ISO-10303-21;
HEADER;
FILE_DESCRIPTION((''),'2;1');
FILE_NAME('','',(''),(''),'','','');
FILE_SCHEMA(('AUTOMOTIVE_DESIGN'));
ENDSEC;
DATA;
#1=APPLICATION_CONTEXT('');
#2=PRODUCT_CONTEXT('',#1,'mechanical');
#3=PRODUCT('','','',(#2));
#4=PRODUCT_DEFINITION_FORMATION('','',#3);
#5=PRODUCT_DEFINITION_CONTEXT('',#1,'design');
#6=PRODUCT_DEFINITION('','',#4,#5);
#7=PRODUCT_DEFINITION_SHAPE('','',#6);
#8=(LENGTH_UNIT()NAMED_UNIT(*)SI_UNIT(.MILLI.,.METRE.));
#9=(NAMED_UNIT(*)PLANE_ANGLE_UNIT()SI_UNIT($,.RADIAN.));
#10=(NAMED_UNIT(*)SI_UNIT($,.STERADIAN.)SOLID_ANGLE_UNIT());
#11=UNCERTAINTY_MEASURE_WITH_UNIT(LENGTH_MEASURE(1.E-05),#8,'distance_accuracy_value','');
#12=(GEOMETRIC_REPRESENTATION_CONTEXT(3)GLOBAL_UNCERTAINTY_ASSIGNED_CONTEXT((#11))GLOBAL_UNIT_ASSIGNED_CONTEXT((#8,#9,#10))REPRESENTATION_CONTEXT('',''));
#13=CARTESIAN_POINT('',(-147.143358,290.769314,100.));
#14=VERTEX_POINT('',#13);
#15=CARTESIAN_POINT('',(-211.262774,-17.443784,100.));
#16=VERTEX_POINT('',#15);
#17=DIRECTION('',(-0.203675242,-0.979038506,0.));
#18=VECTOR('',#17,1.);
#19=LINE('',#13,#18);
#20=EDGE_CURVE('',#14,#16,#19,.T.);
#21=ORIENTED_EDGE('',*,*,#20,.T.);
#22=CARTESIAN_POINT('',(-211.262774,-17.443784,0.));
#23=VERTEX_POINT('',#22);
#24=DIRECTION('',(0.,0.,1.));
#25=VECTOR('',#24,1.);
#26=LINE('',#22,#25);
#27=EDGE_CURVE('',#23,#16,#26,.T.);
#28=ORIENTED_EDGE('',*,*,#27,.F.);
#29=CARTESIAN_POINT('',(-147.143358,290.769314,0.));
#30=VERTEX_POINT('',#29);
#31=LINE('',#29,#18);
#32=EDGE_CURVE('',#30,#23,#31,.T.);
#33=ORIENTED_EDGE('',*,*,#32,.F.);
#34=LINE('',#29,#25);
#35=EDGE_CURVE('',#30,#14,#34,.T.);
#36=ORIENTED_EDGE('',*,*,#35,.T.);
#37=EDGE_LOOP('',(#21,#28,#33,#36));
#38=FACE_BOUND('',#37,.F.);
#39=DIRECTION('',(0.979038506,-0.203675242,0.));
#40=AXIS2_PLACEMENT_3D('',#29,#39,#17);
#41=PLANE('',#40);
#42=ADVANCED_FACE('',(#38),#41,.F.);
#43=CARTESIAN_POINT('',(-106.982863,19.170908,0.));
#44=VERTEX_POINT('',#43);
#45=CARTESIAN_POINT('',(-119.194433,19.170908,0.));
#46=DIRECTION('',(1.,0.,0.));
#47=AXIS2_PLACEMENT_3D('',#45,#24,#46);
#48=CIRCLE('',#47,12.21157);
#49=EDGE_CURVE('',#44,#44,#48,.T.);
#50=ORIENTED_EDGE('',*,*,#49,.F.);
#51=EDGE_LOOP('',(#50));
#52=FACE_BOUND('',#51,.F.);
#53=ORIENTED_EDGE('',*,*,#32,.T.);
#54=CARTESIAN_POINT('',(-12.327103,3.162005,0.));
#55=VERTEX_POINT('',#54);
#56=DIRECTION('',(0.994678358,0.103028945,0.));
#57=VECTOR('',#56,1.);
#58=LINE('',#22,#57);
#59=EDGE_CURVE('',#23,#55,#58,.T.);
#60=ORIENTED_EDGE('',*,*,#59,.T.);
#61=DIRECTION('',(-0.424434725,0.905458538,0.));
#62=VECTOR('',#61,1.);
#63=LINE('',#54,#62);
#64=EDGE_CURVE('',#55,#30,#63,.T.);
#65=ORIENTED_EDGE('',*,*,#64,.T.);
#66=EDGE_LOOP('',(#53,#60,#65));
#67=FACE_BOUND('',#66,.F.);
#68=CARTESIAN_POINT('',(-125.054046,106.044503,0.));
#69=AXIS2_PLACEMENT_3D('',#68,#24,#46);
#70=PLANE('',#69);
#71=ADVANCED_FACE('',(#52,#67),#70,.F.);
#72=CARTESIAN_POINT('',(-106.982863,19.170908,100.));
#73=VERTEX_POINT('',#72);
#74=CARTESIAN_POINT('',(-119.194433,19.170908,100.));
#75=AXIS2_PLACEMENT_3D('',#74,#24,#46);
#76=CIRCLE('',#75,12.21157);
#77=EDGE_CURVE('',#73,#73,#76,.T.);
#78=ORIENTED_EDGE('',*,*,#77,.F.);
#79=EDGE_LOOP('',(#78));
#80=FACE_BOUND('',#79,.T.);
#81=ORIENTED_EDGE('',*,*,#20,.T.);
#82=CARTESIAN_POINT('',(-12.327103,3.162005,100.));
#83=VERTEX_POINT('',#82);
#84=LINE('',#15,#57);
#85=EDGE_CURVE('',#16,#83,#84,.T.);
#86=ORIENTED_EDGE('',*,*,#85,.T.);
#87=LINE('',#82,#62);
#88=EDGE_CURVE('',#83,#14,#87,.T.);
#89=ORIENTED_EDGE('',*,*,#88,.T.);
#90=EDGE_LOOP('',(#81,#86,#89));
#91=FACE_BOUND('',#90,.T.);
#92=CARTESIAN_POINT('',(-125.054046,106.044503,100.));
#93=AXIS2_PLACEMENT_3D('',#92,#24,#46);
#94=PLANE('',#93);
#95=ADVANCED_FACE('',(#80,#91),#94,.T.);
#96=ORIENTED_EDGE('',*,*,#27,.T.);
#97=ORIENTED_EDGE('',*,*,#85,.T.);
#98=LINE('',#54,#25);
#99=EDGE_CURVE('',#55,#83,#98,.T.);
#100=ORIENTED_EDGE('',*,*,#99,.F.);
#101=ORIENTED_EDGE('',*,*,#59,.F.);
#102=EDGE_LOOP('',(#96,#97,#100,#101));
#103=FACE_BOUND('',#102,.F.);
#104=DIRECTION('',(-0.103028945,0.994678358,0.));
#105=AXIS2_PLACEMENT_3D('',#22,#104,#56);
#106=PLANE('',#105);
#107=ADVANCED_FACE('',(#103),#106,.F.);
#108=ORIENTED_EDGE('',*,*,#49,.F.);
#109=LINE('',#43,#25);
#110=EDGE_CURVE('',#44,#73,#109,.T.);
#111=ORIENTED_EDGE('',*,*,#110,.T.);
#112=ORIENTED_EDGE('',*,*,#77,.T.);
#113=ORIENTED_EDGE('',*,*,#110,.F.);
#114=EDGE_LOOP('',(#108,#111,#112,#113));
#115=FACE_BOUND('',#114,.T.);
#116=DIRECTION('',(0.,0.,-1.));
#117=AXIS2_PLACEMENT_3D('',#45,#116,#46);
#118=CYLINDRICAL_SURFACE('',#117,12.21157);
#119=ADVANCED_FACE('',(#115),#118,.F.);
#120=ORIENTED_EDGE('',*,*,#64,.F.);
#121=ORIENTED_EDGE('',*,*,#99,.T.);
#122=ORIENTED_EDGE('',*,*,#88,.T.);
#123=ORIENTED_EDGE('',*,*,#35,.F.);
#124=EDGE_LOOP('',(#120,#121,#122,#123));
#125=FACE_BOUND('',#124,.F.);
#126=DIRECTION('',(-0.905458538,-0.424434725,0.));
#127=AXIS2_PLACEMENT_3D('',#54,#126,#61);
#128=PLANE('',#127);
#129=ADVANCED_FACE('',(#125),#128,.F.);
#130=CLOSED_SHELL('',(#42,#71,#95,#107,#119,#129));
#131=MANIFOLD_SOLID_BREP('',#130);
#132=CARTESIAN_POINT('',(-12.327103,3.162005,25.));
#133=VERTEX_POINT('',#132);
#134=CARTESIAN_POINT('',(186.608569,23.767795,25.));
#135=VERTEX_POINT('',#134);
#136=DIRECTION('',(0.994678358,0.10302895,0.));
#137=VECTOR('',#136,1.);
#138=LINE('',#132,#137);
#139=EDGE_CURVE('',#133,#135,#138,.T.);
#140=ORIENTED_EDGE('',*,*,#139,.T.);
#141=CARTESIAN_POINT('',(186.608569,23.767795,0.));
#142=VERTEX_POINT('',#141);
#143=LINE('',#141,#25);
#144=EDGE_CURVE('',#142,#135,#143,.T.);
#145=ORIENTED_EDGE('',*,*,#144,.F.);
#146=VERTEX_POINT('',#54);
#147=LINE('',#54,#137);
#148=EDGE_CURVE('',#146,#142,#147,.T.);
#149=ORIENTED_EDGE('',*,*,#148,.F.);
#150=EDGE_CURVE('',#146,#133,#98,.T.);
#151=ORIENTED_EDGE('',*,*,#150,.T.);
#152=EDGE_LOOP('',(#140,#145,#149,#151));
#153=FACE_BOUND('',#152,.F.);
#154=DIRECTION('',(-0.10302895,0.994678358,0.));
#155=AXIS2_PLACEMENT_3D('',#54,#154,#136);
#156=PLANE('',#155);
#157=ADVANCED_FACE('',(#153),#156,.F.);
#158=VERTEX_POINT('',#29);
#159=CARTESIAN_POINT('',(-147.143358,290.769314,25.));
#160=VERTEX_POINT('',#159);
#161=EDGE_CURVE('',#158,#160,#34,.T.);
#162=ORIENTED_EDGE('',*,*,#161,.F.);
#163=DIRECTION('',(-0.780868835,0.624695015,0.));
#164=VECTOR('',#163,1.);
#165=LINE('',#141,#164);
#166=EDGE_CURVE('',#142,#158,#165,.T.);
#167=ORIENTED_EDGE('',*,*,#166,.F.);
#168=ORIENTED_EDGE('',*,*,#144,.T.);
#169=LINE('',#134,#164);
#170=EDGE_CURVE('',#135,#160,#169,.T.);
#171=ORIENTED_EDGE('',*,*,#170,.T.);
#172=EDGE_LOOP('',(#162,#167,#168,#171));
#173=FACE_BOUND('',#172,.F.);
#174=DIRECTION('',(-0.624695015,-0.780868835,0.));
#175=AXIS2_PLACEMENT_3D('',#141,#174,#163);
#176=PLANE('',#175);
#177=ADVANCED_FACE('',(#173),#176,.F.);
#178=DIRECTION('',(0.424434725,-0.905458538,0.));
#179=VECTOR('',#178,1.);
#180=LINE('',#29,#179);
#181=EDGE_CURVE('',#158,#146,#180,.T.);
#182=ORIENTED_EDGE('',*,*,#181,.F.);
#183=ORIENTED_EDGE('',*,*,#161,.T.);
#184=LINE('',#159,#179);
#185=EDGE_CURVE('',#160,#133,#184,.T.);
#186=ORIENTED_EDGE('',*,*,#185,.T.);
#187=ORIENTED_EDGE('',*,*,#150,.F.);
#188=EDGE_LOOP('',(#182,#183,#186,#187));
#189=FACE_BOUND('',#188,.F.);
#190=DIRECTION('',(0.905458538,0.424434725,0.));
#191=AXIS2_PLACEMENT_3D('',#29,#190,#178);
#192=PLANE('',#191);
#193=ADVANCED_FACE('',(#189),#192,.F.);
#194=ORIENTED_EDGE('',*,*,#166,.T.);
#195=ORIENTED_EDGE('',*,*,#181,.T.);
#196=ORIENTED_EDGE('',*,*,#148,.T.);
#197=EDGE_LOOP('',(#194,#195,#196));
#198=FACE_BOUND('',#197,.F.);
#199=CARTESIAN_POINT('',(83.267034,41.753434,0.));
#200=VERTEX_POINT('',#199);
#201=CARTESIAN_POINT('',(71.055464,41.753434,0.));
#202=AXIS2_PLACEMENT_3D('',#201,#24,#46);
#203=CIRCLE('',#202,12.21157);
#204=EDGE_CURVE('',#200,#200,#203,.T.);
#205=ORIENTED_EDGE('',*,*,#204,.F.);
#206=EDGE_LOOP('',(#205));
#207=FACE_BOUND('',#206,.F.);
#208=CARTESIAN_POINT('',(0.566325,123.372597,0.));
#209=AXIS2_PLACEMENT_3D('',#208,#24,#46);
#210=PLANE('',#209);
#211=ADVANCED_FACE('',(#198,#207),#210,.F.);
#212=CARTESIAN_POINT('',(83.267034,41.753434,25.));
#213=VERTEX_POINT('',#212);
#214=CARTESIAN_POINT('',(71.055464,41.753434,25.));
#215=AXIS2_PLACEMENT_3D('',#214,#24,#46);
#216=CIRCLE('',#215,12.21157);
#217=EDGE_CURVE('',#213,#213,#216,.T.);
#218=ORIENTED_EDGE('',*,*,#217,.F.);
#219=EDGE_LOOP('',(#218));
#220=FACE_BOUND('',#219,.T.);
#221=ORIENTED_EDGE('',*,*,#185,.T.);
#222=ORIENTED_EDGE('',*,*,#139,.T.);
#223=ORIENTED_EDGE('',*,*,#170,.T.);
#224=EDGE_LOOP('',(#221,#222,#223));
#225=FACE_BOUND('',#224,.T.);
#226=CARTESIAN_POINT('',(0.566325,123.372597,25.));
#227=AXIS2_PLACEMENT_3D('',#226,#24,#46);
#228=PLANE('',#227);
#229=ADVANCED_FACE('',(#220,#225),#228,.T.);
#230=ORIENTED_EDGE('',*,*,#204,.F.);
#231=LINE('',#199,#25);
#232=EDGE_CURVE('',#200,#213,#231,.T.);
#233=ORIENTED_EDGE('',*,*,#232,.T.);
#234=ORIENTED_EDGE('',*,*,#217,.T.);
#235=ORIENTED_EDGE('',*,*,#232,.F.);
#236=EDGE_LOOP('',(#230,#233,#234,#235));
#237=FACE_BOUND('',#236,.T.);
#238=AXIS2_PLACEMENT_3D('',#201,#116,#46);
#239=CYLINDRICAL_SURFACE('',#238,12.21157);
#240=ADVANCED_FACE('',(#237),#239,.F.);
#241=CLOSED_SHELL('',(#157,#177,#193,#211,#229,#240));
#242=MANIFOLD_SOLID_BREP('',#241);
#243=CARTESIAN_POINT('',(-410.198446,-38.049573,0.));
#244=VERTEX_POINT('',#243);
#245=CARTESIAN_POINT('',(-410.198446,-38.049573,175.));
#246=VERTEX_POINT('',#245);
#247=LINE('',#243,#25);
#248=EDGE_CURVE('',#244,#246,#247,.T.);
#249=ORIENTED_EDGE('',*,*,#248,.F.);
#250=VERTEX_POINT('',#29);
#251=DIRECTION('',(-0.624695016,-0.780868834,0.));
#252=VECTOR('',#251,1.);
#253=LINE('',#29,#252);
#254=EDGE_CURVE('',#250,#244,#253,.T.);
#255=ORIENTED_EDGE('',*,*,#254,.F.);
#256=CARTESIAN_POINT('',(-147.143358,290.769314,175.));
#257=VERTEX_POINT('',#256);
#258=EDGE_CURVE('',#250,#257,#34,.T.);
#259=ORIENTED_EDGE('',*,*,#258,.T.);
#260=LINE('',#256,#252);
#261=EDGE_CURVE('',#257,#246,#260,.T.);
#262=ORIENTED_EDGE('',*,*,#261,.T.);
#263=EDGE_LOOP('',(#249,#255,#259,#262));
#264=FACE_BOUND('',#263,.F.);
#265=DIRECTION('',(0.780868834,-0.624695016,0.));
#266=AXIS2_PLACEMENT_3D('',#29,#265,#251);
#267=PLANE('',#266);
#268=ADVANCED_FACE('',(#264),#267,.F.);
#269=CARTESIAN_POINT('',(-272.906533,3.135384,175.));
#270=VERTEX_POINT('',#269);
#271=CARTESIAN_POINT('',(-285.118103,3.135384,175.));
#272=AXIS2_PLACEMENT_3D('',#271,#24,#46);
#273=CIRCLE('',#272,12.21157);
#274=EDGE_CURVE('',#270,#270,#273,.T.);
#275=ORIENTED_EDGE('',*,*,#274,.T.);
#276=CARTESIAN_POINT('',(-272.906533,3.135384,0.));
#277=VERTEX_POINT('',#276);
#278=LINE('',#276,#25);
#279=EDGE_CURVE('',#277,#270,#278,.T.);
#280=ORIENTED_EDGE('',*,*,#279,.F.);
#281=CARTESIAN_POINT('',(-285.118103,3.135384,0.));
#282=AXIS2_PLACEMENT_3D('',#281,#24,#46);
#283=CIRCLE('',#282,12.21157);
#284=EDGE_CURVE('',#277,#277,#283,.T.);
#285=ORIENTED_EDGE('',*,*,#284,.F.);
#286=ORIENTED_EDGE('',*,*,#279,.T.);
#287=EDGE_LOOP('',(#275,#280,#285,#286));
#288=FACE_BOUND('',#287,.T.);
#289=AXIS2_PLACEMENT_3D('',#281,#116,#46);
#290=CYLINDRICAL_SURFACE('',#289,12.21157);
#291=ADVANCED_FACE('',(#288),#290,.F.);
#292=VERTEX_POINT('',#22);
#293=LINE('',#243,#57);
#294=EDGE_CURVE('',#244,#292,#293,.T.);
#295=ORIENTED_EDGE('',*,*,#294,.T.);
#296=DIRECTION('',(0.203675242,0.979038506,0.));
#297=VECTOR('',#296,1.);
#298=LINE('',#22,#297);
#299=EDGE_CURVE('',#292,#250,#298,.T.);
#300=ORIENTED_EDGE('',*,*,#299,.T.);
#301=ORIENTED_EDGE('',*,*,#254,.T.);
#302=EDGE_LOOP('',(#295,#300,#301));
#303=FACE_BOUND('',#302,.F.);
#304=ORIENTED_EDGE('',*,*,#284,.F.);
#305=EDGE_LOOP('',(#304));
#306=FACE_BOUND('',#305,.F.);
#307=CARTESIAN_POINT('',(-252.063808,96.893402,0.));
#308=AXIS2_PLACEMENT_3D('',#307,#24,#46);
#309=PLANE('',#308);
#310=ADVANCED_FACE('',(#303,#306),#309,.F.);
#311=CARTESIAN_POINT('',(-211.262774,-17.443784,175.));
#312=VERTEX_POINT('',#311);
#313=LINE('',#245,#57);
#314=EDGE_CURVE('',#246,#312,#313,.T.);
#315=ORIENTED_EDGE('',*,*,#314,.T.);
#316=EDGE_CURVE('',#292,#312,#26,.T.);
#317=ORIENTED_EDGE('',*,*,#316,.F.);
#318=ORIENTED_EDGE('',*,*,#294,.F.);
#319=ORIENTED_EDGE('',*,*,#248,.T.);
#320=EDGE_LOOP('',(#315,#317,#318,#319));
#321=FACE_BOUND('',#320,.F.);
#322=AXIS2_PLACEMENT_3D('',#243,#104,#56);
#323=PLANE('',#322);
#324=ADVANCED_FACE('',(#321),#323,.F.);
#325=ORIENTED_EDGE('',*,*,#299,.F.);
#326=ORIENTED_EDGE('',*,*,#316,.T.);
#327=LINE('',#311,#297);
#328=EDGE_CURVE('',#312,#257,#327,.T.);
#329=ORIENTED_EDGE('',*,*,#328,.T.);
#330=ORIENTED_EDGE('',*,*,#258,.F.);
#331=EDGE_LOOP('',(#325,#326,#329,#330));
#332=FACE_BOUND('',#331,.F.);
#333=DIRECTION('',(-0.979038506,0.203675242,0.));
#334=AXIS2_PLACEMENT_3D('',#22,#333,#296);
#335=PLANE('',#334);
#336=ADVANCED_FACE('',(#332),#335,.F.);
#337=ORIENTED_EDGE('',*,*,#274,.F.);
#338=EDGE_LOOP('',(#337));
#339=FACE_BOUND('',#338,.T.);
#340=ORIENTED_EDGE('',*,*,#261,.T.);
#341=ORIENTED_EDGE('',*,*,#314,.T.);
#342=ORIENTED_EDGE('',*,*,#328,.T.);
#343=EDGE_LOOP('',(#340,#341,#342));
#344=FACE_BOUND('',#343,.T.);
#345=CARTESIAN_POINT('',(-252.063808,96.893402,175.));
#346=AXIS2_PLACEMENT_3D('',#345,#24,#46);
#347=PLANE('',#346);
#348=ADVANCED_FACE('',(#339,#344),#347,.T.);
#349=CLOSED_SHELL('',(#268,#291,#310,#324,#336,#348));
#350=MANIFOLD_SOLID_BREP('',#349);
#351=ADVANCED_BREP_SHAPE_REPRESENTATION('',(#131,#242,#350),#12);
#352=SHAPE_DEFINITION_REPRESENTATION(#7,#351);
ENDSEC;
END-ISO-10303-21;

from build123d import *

# Parameters (mm, degrees)
F0_R     = 12.21157
F1_DEPTH = 175
F2_DEPTH = 25
F3_DEPTH = 100


with BuildPart() as f1:
    # F0 (on Top) → F1 (new body)
    with BuildSketch(Plane.XY):
        Polygon((-211.262774, -17.443784), (-147.143358, 290.769314), (-410.198446, -38.049573), align=None)
        with Locations((-285.118103, 3.135384)):
            Circle(F0_R, mode=Mode.SUBTRACT)
    extrude(amount=F1_DEPTH)


with BuildPart() as f2:
    # F0 (on Top) → F2 (new body)
    with BuildSketch(Plane.XY):
        Polygon((186.608569, 23.767795), (-147.143358, 290.769314), (-12.327103, 3.162005), align=None)
        with Locations((71.055464, 41.753434)):
            Circle(F0_R, mode=Mode.SUBTRACT)
    extrude(amount=F2_DEPTH)


with BuildPart() as f3:
    # F0 (on Top) → F3 (new body)
    with BuildSketch(Plane.XY):
        Polygon((-12.327103, 3.162005), (-147.143358, 290.769314), (-211.262774, -17.443784), align=None)
        with Locations((-119.194433, 19.170908)):
            Circle(F0_R, mode=Mode.SUBTRACT)
    extrude(amount=F3_DEPTH)


solid = Compound([f1.part, f2.part, f3.part])
